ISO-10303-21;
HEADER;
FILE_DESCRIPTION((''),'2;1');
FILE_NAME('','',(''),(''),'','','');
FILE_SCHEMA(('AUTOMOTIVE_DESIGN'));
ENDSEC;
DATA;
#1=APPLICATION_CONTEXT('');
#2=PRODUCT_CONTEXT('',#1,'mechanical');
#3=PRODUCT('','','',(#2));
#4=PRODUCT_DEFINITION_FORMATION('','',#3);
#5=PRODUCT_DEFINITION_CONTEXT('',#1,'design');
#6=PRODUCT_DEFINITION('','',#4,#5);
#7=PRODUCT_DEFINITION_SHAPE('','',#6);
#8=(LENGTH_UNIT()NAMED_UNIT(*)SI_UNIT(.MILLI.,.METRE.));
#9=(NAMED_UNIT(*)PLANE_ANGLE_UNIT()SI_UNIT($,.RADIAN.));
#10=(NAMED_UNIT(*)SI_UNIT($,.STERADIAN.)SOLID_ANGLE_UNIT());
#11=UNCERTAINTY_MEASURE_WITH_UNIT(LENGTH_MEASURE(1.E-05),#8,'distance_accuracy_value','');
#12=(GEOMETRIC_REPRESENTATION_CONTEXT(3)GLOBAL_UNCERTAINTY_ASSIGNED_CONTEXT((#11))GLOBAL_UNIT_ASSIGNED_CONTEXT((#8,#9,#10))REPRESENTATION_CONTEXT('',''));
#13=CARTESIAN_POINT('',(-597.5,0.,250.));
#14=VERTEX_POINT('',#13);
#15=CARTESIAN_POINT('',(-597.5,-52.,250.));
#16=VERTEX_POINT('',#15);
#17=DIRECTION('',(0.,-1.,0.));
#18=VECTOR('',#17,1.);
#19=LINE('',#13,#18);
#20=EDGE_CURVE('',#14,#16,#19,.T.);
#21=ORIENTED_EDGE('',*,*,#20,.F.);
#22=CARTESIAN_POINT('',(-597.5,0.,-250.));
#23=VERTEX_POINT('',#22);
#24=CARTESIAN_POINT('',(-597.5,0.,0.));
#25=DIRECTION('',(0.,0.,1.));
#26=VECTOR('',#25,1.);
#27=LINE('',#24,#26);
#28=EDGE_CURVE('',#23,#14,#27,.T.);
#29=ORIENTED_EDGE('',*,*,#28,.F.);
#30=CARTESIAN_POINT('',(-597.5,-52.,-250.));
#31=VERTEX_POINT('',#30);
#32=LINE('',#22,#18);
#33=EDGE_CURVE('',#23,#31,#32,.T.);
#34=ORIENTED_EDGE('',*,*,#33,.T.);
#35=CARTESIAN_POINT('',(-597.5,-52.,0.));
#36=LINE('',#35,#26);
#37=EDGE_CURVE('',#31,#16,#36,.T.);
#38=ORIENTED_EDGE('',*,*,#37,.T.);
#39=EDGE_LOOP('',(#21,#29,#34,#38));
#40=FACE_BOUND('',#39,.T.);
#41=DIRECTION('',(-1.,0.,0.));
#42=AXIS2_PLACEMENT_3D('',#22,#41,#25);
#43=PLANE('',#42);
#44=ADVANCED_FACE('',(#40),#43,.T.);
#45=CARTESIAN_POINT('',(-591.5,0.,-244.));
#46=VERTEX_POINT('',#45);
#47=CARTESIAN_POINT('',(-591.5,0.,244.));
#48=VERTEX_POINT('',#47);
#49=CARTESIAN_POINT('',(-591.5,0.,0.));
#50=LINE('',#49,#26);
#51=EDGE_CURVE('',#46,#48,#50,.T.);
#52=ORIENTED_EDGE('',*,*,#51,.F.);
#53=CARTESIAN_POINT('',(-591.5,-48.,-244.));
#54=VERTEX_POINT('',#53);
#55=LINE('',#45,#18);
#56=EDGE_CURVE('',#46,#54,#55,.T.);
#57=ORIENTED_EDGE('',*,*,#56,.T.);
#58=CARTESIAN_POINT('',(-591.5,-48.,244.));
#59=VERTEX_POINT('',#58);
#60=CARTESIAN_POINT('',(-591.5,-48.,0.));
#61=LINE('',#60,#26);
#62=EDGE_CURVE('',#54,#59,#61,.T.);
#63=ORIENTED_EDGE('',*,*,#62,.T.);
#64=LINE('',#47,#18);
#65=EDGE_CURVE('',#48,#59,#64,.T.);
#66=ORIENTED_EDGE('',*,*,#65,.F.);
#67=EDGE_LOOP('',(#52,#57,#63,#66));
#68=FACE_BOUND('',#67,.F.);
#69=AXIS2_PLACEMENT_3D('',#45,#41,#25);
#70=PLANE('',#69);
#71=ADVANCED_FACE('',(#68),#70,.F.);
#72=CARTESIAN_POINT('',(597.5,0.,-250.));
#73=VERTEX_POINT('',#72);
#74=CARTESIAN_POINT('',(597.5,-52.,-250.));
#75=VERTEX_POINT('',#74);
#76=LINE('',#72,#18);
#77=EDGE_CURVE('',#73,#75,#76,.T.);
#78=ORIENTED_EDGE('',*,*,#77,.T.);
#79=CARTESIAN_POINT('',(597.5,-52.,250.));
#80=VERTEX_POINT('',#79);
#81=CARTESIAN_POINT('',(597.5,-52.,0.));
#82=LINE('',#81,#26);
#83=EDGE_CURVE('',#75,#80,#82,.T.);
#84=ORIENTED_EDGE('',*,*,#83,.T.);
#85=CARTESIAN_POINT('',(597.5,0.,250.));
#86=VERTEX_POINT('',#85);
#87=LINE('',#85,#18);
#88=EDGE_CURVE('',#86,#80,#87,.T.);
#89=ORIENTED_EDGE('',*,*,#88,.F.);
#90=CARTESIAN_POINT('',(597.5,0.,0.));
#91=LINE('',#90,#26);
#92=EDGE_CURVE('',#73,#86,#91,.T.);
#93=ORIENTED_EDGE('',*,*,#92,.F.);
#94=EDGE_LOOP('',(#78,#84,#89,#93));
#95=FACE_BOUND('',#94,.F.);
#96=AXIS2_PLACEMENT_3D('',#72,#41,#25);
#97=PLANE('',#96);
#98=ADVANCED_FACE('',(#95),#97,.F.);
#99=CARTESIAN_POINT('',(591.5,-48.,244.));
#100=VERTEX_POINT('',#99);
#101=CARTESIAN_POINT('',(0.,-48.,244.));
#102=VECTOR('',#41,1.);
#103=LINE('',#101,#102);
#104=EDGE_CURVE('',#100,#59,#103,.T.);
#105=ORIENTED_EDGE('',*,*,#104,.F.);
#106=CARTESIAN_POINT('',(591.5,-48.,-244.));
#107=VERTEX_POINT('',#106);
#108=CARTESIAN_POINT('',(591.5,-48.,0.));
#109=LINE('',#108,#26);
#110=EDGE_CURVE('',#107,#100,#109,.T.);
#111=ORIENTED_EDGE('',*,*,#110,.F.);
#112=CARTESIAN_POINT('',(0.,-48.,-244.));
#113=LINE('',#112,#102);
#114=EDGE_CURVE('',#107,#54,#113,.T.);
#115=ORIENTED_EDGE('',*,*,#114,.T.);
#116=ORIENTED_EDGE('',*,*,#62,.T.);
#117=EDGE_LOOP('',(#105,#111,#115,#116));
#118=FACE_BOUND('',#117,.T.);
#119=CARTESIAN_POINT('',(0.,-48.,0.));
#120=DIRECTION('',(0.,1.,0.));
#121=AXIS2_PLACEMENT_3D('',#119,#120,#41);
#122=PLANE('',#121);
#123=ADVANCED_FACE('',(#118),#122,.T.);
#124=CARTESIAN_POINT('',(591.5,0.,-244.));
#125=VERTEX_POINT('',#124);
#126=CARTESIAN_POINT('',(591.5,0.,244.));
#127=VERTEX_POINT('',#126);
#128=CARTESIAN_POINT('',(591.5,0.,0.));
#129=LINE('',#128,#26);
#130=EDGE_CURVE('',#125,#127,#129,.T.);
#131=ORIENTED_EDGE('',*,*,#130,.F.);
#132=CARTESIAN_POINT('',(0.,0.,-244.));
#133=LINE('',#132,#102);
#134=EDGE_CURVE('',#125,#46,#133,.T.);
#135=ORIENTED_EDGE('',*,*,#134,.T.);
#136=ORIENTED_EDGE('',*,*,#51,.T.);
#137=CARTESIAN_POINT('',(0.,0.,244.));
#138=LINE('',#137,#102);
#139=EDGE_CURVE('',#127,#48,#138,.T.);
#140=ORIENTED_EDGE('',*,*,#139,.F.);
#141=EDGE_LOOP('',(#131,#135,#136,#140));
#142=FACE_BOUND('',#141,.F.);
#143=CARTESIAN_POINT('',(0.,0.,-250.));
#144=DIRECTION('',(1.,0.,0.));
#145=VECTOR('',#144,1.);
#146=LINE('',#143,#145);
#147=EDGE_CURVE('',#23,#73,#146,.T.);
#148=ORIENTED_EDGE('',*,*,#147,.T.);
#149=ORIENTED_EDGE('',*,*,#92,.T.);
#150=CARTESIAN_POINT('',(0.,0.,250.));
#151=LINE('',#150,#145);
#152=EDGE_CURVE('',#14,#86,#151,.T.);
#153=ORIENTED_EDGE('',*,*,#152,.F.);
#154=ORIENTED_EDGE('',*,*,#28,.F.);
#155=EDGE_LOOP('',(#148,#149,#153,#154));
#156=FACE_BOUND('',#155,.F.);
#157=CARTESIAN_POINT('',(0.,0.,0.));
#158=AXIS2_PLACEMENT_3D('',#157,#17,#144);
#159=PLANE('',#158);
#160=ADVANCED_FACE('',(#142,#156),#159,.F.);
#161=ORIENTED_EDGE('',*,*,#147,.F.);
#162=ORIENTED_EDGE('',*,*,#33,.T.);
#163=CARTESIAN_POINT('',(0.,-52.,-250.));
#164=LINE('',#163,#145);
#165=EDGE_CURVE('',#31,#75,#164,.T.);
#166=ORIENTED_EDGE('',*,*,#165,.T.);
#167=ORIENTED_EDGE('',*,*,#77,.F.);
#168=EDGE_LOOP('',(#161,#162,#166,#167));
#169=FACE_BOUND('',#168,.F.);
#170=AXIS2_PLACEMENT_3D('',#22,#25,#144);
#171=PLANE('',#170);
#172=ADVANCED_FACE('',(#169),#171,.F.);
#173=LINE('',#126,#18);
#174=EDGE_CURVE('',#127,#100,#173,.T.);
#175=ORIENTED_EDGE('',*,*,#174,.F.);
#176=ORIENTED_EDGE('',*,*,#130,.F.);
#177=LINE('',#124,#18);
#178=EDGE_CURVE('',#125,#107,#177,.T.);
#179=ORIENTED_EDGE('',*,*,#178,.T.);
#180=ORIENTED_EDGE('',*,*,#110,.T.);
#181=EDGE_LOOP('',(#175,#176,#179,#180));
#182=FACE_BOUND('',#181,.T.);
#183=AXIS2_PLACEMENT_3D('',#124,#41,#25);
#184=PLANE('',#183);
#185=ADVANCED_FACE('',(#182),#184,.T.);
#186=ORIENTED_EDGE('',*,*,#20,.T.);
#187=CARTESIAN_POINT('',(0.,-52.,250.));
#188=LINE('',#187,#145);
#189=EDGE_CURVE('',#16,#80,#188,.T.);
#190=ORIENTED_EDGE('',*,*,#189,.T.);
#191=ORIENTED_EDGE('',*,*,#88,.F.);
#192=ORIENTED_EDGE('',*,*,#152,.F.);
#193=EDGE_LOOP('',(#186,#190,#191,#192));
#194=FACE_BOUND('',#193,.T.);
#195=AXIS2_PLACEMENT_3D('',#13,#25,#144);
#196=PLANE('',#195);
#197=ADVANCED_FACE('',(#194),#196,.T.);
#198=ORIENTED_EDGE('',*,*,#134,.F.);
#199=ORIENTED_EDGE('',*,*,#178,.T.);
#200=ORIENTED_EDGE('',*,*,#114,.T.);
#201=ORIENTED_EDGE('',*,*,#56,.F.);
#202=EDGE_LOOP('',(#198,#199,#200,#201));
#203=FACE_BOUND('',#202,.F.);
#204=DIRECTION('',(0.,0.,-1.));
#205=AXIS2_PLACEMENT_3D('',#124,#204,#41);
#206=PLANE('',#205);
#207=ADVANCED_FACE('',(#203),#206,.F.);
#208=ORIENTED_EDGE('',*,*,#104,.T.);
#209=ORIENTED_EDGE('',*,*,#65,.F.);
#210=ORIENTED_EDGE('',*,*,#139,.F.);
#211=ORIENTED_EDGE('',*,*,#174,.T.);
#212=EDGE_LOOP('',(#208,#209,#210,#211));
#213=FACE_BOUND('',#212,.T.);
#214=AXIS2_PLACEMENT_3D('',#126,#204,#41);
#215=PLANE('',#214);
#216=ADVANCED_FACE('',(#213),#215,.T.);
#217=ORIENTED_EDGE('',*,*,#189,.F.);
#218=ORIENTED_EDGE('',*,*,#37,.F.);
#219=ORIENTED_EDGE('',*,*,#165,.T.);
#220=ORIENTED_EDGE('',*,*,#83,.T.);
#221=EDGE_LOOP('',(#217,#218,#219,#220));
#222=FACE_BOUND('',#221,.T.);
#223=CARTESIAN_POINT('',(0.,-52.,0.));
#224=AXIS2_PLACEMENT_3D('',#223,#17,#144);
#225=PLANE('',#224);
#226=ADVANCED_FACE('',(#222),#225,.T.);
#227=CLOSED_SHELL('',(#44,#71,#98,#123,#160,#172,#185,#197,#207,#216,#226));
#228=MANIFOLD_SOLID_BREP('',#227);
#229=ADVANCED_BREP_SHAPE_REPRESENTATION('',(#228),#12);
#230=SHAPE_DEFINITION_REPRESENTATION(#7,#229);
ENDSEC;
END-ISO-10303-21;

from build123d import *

# Parameters (mm, degrees)
F0_W     = 1195
F0_H     = 500
F1_DEPTH = 52
F2_W     = 1183
F2_H     = 488
F3_DEPTH = 48


with BuildPart() as f1:
    # F0 (on Front) → F1 (new body)
    with BuildSketch(Plane.XZ):
        Rectangle(F0_W, F0_H)
    extrude(amount=F1_DEPTH)

    # F2 (on face) → F3 (cut)
    with BuildSketch(Plane(origin=(0, 0, 0), x_dir=(-1, 0, 0), z_dir=(0, 1, 0))):
        Rectangle(F2_W, F2_H)
    extrude(amount=-F3_DEPTH, mode=Mode.SUBTRACT)


solid = f1.part
